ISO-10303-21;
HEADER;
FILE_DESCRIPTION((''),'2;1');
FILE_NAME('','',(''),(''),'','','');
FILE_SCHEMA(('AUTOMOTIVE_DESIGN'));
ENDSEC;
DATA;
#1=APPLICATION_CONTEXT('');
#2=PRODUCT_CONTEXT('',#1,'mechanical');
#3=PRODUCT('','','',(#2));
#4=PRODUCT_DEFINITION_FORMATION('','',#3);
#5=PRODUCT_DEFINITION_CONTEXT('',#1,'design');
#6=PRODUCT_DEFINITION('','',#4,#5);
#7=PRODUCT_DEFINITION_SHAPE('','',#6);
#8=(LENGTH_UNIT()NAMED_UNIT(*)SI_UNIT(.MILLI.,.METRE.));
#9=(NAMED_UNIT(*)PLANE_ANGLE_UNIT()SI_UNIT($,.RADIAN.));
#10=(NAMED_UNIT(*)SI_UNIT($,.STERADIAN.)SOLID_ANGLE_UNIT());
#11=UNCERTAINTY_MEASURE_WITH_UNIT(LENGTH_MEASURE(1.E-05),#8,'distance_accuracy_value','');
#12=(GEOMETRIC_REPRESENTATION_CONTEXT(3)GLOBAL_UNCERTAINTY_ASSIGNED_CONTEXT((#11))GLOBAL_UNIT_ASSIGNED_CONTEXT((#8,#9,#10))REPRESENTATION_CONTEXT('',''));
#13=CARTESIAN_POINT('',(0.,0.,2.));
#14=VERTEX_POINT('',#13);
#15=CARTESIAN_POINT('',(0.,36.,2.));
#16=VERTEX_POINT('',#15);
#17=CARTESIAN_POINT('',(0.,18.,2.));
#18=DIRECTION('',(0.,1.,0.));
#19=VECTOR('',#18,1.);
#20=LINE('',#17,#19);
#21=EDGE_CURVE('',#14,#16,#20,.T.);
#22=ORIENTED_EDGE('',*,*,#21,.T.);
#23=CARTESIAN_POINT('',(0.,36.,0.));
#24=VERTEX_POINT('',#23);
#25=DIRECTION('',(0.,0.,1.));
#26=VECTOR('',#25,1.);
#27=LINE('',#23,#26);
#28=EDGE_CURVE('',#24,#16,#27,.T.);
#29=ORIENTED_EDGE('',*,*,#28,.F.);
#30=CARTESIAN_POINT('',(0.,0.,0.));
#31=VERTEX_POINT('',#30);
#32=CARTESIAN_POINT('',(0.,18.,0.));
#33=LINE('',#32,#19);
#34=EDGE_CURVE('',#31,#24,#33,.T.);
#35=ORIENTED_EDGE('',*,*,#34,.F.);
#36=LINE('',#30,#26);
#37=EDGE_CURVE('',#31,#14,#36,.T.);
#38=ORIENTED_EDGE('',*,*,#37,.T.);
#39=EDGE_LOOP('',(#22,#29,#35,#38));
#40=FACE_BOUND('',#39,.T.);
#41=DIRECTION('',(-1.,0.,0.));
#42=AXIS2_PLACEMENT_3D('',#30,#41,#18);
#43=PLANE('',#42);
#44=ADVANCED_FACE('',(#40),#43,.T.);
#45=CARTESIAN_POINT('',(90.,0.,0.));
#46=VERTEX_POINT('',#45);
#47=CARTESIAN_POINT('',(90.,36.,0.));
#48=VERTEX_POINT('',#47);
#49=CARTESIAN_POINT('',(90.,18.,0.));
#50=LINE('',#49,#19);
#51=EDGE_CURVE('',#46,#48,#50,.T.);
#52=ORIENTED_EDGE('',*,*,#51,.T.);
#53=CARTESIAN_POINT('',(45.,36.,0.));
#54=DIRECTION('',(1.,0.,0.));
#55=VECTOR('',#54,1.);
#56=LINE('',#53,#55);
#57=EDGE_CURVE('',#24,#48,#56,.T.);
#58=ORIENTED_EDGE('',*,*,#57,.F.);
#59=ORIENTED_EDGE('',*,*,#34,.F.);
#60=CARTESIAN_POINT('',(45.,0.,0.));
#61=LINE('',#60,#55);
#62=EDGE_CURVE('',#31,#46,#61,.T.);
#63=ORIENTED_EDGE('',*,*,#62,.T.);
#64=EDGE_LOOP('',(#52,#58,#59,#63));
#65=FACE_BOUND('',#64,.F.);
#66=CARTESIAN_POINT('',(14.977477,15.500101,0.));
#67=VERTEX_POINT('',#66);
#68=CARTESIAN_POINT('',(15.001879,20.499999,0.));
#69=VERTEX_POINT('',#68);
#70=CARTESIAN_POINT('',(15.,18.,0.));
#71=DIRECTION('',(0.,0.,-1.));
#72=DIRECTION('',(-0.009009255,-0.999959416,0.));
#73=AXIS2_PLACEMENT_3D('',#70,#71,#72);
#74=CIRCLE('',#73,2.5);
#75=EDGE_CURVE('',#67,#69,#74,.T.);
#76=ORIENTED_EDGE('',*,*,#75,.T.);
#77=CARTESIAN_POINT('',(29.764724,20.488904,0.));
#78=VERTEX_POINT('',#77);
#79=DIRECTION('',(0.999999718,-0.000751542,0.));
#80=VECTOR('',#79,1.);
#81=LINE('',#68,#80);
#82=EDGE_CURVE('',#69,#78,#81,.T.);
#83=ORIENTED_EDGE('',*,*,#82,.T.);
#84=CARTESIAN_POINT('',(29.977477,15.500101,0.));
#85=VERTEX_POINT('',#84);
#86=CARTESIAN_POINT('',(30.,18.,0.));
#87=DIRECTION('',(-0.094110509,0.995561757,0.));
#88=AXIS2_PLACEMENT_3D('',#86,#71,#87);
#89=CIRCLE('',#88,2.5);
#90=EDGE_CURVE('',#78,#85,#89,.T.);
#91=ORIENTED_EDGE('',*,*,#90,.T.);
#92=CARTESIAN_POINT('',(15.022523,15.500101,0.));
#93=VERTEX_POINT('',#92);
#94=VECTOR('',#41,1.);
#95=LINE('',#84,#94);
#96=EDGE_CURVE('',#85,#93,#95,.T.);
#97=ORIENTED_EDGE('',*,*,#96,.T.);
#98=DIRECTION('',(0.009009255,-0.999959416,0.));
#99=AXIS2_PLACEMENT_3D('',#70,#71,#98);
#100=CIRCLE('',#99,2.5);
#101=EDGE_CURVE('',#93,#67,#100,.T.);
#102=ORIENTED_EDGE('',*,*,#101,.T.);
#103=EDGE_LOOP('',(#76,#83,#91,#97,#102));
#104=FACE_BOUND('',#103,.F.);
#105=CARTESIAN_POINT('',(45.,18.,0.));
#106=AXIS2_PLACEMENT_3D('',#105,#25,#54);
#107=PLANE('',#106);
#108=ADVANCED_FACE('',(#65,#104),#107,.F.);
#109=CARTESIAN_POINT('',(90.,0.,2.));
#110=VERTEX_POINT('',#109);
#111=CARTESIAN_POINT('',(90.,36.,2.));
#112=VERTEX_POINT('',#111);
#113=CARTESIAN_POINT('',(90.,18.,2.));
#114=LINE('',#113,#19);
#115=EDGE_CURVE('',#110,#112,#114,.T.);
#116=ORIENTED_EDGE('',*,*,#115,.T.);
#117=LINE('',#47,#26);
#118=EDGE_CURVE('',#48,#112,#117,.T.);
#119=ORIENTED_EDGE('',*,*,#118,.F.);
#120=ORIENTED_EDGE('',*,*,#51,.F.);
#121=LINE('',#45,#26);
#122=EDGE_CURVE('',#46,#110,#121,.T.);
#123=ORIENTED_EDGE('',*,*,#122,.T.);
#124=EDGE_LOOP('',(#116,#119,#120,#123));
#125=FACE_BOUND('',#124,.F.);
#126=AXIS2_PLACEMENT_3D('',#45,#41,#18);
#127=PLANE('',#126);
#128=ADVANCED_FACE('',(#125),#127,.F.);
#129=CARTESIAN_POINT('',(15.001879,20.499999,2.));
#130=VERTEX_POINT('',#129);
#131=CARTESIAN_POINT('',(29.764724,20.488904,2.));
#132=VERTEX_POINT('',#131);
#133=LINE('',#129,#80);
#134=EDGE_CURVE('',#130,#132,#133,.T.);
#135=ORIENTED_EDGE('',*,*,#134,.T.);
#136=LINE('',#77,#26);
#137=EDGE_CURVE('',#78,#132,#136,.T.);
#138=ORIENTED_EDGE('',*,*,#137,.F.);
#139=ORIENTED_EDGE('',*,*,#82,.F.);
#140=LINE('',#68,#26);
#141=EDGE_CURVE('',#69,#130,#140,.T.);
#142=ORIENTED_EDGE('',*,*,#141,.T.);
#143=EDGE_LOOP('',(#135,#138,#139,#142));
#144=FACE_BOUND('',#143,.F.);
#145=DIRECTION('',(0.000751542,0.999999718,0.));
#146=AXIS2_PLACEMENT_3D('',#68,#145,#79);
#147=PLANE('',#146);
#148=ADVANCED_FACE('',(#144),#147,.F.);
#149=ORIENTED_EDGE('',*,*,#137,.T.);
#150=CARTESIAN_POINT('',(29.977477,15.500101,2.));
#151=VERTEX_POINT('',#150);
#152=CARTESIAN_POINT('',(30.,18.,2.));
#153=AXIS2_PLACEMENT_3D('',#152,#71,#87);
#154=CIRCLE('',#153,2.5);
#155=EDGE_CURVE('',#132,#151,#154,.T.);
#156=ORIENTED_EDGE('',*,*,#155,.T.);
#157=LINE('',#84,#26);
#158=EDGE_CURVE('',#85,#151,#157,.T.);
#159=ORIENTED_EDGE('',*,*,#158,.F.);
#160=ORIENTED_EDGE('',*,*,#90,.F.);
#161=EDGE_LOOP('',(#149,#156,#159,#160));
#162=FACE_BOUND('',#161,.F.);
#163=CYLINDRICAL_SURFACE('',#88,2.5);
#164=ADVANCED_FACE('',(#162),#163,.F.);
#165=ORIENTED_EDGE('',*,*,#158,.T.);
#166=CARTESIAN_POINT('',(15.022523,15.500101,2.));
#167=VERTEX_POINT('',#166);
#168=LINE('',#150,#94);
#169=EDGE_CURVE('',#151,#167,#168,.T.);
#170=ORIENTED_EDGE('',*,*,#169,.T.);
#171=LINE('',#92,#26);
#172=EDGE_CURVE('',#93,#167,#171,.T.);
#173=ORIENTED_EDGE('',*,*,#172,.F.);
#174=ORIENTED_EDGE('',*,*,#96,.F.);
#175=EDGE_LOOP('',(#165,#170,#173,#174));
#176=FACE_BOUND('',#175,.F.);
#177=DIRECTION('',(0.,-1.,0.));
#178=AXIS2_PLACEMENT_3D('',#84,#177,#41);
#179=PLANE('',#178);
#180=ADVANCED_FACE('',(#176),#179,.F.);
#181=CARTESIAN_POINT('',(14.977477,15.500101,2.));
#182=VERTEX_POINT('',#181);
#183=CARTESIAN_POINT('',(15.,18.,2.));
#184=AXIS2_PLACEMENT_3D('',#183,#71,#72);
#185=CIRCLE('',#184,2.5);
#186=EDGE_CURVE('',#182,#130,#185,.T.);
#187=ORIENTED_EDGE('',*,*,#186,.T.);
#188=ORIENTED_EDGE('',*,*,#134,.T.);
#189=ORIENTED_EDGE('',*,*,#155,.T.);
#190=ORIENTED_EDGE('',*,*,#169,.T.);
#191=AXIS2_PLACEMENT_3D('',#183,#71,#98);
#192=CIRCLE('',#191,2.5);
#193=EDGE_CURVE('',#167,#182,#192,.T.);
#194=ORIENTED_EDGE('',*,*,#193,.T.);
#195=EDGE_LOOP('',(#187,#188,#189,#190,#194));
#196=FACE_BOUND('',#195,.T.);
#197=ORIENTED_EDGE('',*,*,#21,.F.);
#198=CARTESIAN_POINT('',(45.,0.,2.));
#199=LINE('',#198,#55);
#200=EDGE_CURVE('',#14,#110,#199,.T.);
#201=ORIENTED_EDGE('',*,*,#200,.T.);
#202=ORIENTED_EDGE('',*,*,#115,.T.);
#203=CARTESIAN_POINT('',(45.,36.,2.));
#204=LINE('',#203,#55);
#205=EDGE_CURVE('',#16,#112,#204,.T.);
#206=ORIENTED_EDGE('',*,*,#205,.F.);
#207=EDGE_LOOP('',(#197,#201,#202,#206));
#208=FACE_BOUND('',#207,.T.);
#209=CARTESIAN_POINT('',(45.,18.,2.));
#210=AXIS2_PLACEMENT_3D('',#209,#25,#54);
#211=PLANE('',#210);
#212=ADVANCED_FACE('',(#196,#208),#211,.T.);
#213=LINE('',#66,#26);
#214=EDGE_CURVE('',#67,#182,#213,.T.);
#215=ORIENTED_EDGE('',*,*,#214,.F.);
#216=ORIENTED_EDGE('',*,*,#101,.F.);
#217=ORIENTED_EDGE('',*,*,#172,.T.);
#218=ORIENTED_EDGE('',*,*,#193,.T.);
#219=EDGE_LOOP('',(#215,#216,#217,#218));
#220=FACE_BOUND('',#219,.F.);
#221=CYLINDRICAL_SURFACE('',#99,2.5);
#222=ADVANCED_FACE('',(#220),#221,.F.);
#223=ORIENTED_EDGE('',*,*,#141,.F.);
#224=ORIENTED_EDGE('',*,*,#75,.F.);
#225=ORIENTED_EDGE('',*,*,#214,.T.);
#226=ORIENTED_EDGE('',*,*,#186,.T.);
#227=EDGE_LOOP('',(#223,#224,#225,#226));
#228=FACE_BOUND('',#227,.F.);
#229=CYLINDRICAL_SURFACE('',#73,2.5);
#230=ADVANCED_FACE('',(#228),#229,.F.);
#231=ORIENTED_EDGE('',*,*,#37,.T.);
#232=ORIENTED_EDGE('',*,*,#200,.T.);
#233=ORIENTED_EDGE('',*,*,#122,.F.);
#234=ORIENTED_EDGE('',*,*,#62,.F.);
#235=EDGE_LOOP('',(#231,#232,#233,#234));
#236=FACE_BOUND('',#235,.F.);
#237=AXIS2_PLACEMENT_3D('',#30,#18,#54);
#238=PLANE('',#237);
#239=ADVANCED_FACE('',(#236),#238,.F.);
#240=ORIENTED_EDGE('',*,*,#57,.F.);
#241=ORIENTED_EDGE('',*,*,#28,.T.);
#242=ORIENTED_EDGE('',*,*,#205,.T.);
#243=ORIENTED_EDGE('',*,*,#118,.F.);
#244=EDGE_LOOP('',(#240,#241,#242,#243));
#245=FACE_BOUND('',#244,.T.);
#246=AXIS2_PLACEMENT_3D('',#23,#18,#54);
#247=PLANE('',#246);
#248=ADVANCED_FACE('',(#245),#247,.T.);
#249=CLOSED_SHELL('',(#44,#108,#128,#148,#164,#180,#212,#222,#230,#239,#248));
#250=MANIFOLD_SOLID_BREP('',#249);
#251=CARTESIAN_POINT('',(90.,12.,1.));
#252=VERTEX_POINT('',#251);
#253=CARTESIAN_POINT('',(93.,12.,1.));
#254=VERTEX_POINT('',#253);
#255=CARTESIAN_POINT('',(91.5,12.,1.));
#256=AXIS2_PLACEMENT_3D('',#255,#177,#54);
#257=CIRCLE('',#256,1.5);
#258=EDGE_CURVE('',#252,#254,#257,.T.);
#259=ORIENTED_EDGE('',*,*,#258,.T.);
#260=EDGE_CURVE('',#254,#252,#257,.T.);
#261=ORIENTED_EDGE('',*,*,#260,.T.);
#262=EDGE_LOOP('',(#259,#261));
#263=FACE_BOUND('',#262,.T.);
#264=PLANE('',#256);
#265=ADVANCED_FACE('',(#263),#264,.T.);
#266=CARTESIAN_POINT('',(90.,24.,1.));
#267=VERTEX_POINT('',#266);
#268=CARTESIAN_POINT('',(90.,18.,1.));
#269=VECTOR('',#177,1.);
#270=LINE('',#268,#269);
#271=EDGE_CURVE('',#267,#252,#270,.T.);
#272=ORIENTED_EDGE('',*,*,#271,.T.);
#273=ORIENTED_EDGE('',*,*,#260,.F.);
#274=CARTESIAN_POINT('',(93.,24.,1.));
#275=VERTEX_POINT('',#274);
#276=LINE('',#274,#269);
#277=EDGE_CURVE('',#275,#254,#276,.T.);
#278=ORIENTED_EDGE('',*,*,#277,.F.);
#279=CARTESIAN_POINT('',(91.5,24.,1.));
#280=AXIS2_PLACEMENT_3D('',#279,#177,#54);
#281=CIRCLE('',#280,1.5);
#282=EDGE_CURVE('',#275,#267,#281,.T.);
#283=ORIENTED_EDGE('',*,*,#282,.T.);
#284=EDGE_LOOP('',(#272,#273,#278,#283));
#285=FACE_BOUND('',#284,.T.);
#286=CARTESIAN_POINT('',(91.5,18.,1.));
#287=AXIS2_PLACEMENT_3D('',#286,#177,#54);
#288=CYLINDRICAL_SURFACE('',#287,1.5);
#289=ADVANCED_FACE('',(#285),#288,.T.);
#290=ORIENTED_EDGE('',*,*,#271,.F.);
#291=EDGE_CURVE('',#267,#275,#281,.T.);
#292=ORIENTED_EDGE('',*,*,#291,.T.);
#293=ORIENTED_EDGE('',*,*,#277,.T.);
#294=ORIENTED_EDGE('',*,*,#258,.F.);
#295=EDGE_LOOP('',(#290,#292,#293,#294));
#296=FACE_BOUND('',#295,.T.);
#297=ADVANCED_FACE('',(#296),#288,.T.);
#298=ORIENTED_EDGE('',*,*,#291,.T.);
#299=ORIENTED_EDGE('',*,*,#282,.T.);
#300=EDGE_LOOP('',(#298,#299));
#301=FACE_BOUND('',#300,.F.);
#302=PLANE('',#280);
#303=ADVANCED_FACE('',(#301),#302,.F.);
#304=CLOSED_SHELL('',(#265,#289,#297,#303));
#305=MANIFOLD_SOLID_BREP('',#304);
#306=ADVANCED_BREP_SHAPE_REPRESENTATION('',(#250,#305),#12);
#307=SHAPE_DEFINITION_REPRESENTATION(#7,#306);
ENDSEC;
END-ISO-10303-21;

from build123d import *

# Parameters (mm, degrees)
F0_W     = 90
F0_H     = 36
F1_DEPTH = 2
F3_R     = 1.5
F4_DEPTH = 6
F6_DEPTH = 2


with BuildPart() as f1:
    # F0 (on Top) → F1 (new body)
    with BuildSketch(Plane.XY):
        with Locations((45, 18)):
            Rectangle(F0_W, F0_H)
    extrude(amount=F1_DEPTH)

    # F3 (on offset) → F4 (join, symmetric)
    with BuildSketch(Plane.XZ.offset(-18)):
        with Locations((91.5, 1)):
            Circle(F3_R)
    extrude(amount=F4_DEPTH, both=True)

    # F5 (on face) → F6 (cut, through all)
    with BuildSketch(Plane(origin=(0, 0, 0), x_dir=(1, 0, 0), z_dir=(0, 0, -1))):
        with BuildLine():
            Line((29.9774768636, -15.5001014604), (15.0225231364, -15.5001014604))
            ThreePointArc((15.0225231364, -15.5001014604), (15, -15.5), (14.9774768636, -15.5001014604))
            ThreePointArc((14.9774768636, -15.5001014604), (12.5000297735, -18.0122010997), (15.001878855, -20.499999294))
            Line((15.001878855, -20.499999294), (29.7647237283, -20.4889043927))
            ThreePointArc((29.7647237283, -20.4889043927), (32.4977297308, -18.1065185053), (29.9774768636, -15.5001014604))
        make_face()
    extrude(amount=-F6_DEPTH, mode=Mode.SUBTRACT)


solid = f1.part
